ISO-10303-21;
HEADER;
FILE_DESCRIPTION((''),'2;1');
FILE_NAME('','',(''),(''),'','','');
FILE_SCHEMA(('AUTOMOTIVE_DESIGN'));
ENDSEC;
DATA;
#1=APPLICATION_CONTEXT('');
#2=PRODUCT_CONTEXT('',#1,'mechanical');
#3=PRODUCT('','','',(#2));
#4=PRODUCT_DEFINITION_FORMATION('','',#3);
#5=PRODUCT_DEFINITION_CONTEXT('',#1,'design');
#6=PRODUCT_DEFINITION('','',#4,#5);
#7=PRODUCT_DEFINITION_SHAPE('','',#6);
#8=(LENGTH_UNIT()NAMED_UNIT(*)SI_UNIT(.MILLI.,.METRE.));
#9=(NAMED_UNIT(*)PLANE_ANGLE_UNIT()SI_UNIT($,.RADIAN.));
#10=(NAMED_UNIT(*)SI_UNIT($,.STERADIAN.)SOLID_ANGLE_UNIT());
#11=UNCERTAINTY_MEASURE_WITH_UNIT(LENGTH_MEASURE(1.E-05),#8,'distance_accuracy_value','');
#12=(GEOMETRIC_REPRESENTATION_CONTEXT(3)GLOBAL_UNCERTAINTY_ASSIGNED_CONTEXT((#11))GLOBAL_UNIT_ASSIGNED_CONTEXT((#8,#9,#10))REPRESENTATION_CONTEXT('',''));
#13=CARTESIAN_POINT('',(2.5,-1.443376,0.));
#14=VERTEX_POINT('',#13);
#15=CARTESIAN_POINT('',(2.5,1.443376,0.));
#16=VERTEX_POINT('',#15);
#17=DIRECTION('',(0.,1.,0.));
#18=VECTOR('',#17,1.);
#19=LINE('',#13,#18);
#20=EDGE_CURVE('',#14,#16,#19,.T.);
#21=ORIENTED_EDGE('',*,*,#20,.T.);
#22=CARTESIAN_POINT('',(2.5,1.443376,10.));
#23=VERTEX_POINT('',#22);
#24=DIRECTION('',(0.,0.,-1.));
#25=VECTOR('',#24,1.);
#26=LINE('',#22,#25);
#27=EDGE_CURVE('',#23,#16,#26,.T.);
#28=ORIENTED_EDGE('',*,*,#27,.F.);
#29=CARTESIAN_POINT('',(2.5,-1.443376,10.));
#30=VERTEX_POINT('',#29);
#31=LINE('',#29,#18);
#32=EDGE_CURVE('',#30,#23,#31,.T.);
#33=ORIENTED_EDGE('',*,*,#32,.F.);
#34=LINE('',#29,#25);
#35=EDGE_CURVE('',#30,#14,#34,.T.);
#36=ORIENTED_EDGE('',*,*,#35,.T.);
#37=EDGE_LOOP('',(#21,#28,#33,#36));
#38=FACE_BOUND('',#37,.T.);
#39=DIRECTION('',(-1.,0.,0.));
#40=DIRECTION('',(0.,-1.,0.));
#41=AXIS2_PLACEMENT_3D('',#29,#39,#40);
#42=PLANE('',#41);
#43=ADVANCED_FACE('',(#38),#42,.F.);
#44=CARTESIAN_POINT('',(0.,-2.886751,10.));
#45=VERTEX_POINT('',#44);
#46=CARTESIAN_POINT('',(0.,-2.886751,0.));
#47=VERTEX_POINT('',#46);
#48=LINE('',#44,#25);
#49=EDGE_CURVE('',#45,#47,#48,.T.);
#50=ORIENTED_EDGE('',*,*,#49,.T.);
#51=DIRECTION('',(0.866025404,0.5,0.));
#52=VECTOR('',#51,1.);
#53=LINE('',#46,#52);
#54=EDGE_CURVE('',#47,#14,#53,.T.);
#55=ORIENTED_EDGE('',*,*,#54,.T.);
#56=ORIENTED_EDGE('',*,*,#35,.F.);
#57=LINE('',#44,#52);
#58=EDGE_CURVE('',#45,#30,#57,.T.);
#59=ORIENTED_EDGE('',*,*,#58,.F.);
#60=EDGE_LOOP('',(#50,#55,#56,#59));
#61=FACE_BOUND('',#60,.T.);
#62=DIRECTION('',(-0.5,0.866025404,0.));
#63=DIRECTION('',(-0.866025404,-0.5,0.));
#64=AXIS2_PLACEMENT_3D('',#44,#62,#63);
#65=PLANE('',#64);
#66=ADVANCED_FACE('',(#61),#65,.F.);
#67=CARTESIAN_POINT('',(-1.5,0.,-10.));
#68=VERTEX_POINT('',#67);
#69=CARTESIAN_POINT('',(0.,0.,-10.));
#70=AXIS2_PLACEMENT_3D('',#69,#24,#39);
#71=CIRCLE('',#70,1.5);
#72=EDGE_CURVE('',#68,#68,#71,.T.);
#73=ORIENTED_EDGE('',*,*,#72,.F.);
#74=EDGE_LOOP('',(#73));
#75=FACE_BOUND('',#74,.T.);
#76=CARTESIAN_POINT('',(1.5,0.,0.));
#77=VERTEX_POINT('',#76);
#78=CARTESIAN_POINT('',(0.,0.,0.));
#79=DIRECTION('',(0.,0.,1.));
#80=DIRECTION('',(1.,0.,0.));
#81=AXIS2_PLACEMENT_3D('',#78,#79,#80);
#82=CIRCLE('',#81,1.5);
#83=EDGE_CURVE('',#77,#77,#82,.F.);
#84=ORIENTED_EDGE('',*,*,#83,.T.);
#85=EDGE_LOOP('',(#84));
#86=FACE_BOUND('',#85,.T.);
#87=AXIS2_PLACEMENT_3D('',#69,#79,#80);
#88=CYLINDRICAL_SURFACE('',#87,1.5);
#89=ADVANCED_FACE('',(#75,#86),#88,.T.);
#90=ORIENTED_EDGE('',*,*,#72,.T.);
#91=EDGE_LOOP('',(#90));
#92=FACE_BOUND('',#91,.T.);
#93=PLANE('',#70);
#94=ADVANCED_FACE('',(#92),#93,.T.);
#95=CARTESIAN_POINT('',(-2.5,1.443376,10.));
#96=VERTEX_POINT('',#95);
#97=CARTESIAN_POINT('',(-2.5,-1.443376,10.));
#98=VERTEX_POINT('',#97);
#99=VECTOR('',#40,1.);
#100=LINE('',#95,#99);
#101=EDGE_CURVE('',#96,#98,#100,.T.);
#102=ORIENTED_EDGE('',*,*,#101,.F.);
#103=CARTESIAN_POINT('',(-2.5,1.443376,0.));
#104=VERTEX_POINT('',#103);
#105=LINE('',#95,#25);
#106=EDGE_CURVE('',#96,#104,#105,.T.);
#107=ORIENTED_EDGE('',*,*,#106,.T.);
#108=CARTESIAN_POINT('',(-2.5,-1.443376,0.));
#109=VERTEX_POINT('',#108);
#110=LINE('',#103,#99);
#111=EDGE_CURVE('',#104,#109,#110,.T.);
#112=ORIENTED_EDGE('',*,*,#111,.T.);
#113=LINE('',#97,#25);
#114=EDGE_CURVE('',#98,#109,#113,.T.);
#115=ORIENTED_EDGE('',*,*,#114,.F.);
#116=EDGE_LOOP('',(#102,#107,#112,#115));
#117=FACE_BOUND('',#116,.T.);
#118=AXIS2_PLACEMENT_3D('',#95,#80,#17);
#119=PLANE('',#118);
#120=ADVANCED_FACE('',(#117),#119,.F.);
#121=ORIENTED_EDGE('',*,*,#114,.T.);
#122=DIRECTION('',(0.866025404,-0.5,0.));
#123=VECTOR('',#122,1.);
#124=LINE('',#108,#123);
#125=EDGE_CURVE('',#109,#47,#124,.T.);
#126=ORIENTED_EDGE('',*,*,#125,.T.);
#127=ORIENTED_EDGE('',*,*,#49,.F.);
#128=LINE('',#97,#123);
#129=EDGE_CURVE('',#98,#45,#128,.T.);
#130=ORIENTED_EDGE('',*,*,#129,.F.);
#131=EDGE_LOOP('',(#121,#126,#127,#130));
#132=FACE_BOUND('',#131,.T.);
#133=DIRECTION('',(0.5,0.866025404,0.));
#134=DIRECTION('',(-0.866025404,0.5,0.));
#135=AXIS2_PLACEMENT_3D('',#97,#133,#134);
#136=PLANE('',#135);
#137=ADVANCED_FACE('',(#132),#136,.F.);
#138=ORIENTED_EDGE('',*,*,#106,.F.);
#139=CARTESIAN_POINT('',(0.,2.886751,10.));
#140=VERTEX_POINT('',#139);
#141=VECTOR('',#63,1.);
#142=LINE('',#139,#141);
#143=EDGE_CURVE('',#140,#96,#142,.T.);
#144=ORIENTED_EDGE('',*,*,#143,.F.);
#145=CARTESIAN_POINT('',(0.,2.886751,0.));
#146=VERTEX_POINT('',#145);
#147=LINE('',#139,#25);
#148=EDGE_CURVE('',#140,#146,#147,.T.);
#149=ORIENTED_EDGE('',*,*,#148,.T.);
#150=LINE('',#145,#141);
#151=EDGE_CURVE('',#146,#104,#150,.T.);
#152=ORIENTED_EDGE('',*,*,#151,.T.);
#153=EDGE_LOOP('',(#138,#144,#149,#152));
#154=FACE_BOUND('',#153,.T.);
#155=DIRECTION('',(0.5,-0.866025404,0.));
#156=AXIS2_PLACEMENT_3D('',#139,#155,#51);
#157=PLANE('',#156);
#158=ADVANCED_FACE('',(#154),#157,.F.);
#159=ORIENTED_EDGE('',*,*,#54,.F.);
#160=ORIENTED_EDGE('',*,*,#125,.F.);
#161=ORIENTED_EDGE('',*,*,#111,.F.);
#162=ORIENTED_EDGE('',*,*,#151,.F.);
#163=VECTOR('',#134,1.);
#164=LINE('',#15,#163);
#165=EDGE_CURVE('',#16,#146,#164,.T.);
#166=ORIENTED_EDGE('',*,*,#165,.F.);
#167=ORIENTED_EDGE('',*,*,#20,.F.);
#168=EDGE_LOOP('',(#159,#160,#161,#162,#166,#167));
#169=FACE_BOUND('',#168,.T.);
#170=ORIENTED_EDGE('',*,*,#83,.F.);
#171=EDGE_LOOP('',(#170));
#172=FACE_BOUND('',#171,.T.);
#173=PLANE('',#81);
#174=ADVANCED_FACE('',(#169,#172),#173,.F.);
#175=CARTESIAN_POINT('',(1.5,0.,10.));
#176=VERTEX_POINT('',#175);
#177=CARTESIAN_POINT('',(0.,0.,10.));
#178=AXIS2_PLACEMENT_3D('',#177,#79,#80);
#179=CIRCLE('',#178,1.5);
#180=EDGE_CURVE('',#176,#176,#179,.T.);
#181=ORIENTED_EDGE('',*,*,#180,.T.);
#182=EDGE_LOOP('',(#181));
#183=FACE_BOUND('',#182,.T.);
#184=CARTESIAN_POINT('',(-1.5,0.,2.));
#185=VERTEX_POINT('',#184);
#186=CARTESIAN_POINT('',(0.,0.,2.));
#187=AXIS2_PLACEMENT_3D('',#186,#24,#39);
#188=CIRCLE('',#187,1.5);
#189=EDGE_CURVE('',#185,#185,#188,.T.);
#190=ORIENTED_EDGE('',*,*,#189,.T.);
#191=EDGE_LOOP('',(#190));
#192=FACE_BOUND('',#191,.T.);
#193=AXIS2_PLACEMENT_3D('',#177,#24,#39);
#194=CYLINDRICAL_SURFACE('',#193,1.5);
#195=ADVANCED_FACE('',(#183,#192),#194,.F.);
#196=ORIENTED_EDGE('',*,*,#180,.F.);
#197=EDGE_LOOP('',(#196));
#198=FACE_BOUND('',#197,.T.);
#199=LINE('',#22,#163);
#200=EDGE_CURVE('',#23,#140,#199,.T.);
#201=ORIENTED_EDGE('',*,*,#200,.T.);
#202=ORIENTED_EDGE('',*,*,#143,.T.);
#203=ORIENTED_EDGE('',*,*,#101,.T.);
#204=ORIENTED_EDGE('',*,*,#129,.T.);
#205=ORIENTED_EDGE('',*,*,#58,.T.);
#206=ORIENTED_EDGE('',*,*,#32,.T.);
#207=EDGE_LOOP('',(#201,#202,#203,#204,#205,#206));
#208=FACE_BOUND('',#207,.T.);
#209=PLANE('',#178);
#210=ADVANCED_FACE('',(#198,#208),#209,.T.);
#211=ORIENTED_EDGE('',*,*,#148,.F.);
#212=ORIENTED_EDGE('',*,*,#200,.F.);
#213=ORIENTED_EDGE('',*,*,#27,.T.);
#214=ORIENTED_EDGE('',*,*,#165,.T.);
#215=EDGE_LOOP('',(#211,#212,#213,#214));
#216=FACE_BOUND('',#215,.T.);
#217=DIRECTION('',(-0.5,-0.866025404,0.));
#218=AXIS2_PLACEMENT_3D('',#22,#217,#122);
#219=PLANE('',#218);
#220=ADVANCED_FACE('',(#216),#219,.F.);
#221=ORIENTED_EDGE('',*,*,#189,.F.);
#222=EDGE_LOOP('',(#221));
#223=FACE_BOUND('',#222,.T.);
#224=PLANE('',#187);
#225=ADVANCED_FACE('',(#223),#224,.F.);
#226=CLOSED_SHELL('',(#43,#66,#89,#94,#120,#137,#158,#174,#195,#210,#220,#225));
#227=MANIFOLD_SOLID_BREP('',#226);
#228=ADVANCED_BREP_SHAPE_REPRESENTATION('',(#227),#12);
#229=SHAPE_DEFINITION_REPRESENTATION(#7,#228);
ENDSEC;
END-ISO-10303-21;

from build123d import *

# Parameters (mm, degrees)
ESQUISSE1_R             = 1.5
BOSS_EXTRU_2_DEPTH      = 10
ESQUISSE3_R             = 1.5
BOSS_EXTRU_3_DEPTH      = 10
BOSS_EXTRU_3_DEPTH_BACK = 2


with BuildPart() as part:
    # Esquisse1 → Boss.-Extru.2 (new body)
    with BuildSketch(Plane.XY):
        Polygon((0, -2.886751346), (2.5, -1.443375673), (2.5, 1.443375673), (0, 2.886751346), (-2.5, 1.443375673), (-2.5, -1.443375673), align=None)
        Circle(ESQUISSE1_R, mode=Mode.SUBTRACT)
    extrude(amount=BOSS_EXTRU_2_DEPTH)

    # Esquisse3 → Boss.-Extru.3 (add, two sides)
    with BuildSketch(Plane(origin=(0, 0, 0), x_dir=(-1, 0, 0), z_dir=(0, 0, -1))) as boss_extru_3_sk:
        Circle(ESQUISSE3_R)
    extrude(amount=BOSS_EXTRU_3_DEPTH)
    extrude(boss_extru_3_sk.sketch, amount=-BOSS_EXTRU_3_DEPTH_BACK)


solid = part.part
